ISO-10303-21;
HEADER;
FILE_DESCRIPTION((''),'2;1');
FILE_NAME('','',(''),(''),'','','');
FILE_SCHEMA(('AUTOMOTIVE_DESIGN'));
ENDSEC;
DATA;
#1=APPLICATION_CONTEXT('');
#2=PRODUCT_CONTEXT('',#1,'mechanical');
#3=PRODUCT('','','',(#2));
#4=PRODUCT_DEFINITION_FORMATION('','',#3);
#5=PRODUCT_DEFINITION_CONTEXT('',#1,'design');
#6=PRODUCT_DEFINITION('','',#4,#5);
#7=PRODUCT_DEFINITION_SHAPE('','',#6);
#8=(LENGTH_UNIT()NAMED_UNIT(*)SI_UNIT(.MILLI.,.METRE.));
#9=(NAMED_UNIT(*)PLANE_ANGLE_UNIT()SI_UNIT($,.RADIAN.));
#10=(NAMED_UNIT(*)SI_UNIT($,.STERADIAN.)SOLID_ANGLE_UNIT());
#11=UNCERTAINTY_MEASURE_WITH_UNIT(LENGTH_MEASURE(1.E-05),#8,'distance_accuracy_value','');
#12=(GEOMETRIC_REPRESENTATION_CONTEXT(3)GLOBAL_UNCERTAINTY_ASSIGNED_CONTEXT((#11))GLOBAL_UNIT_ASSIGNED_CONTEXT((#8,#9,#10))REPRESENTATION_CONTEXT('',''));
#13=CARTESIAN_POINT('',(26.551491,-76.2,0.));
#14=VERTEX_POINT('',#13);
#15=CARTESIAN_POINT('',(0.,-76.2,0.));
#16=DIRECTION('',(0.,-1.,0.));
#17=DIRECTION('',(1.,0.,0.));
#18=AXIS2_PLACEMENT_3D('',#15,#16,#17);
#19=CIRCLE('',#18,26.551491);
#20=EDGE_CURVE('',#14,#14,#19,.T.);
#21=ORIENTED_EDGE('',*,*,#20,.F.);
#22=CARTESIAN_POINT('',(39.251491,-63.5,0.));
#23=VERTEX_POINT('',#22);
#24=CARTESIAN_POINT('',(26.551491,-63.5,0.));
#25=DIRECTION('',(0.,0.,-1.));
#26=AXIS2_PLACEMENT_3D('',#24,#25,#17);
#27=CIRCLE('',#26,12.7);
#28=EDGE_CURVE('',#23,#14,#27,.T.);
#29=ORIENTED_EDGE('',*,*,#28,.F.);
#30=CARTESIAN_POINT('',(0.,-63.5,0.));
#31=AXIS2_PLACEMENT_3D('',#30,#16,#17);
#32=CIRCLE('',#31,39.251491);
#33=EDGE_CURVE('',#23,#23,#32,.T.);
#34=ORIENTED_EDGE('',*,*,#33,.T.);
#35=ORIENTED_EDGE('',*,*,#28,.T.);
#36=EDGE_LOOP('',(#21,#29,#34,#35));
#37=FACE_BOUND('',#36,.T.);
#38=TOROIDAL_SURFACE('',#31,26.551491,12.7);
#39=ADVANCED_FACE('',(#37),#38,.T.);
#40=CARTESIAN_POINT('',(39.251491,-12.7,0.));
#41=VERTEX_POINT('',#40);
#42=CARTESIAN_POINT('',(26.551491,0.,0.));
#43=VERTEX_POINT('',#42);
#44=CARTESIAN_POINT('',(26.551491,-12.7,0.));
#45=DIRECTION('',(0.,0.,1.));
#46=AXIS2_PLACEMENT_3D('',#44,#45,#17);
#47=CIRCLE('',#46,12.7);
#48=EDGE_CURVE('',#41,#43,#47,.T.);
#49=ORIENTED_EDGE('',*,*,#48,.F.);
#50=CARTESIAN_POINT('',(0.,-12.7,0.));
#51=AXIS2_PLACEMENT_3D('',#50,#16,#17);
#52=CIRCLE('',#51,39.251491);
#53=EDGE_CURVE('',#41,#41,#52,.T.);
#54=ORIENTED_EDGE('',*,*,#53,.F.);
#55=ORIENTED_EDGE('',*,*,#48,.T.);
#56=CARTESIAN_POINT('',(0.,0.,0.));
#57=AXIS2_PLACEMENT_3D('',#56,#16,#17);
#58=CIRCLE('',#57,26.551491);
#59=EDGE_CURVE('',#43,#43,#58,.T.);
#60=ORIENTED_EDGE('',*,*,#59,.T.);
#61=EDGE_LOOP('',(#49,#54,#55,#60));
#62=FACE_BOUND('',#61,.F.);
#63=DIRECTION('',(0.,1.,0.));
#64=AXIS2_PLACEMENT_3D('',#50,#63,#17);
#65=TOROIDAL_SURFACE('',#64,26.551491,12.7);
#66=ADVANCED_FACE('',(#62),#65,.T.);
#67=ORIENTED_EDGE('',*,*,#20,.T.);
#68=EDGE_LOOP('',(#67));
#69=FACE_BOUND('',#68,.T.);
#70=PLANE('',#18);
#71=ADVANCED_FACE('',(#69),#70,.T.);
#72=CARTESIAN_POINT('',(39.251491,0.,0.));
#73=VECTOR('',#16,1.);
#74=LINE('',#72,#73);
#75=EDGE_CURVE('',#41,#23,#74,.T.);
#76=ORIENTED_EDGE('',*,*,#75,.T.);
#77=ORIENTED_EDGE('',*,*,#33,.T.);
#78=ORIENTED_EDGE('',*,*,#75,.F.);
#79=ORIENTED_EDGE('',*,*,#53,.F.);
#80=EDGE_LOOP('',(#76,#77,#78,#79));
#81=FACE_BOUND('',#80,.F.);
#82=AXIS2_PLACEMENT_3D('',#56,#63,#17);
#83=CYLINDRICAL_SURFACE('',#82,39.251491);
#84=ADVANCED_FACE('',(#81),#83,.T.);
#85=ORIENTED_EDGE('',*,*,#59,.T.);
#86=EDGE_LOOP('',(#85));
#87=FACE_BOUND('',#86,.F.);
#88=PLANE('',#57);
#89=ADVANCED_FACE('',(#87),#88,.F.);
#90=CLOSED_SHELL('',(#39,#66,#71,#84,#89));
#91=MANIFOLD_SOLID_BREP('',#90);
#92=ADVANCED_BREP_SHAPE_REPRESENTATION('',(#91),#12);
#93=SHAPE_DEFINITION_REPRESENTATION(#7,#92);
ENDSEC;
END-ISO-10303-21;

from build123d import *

# Parameters (mm, degrees)
F0_R     = 39.251491
F1_DEPTH = 76.2
F2_R     = 12.7


with BuildPart() as f1:
    # F0 (on Front) → F1 (new body)
    with BuildSketch(Plane.XZ):
        Circle(F0_R)
    extrude(amount=F1_DEPTH)

    # F2
    f2_edges = [f1.edges().sort_by_distance(p)[0] for p in [
        (39.251491, -38.1, 0),
        (-39.251491, 0, 0),
        (-39.251491, -76.2, 0),
    ]]
    fillet(f2_edges, radius=F2_R)


solid = f1.part
